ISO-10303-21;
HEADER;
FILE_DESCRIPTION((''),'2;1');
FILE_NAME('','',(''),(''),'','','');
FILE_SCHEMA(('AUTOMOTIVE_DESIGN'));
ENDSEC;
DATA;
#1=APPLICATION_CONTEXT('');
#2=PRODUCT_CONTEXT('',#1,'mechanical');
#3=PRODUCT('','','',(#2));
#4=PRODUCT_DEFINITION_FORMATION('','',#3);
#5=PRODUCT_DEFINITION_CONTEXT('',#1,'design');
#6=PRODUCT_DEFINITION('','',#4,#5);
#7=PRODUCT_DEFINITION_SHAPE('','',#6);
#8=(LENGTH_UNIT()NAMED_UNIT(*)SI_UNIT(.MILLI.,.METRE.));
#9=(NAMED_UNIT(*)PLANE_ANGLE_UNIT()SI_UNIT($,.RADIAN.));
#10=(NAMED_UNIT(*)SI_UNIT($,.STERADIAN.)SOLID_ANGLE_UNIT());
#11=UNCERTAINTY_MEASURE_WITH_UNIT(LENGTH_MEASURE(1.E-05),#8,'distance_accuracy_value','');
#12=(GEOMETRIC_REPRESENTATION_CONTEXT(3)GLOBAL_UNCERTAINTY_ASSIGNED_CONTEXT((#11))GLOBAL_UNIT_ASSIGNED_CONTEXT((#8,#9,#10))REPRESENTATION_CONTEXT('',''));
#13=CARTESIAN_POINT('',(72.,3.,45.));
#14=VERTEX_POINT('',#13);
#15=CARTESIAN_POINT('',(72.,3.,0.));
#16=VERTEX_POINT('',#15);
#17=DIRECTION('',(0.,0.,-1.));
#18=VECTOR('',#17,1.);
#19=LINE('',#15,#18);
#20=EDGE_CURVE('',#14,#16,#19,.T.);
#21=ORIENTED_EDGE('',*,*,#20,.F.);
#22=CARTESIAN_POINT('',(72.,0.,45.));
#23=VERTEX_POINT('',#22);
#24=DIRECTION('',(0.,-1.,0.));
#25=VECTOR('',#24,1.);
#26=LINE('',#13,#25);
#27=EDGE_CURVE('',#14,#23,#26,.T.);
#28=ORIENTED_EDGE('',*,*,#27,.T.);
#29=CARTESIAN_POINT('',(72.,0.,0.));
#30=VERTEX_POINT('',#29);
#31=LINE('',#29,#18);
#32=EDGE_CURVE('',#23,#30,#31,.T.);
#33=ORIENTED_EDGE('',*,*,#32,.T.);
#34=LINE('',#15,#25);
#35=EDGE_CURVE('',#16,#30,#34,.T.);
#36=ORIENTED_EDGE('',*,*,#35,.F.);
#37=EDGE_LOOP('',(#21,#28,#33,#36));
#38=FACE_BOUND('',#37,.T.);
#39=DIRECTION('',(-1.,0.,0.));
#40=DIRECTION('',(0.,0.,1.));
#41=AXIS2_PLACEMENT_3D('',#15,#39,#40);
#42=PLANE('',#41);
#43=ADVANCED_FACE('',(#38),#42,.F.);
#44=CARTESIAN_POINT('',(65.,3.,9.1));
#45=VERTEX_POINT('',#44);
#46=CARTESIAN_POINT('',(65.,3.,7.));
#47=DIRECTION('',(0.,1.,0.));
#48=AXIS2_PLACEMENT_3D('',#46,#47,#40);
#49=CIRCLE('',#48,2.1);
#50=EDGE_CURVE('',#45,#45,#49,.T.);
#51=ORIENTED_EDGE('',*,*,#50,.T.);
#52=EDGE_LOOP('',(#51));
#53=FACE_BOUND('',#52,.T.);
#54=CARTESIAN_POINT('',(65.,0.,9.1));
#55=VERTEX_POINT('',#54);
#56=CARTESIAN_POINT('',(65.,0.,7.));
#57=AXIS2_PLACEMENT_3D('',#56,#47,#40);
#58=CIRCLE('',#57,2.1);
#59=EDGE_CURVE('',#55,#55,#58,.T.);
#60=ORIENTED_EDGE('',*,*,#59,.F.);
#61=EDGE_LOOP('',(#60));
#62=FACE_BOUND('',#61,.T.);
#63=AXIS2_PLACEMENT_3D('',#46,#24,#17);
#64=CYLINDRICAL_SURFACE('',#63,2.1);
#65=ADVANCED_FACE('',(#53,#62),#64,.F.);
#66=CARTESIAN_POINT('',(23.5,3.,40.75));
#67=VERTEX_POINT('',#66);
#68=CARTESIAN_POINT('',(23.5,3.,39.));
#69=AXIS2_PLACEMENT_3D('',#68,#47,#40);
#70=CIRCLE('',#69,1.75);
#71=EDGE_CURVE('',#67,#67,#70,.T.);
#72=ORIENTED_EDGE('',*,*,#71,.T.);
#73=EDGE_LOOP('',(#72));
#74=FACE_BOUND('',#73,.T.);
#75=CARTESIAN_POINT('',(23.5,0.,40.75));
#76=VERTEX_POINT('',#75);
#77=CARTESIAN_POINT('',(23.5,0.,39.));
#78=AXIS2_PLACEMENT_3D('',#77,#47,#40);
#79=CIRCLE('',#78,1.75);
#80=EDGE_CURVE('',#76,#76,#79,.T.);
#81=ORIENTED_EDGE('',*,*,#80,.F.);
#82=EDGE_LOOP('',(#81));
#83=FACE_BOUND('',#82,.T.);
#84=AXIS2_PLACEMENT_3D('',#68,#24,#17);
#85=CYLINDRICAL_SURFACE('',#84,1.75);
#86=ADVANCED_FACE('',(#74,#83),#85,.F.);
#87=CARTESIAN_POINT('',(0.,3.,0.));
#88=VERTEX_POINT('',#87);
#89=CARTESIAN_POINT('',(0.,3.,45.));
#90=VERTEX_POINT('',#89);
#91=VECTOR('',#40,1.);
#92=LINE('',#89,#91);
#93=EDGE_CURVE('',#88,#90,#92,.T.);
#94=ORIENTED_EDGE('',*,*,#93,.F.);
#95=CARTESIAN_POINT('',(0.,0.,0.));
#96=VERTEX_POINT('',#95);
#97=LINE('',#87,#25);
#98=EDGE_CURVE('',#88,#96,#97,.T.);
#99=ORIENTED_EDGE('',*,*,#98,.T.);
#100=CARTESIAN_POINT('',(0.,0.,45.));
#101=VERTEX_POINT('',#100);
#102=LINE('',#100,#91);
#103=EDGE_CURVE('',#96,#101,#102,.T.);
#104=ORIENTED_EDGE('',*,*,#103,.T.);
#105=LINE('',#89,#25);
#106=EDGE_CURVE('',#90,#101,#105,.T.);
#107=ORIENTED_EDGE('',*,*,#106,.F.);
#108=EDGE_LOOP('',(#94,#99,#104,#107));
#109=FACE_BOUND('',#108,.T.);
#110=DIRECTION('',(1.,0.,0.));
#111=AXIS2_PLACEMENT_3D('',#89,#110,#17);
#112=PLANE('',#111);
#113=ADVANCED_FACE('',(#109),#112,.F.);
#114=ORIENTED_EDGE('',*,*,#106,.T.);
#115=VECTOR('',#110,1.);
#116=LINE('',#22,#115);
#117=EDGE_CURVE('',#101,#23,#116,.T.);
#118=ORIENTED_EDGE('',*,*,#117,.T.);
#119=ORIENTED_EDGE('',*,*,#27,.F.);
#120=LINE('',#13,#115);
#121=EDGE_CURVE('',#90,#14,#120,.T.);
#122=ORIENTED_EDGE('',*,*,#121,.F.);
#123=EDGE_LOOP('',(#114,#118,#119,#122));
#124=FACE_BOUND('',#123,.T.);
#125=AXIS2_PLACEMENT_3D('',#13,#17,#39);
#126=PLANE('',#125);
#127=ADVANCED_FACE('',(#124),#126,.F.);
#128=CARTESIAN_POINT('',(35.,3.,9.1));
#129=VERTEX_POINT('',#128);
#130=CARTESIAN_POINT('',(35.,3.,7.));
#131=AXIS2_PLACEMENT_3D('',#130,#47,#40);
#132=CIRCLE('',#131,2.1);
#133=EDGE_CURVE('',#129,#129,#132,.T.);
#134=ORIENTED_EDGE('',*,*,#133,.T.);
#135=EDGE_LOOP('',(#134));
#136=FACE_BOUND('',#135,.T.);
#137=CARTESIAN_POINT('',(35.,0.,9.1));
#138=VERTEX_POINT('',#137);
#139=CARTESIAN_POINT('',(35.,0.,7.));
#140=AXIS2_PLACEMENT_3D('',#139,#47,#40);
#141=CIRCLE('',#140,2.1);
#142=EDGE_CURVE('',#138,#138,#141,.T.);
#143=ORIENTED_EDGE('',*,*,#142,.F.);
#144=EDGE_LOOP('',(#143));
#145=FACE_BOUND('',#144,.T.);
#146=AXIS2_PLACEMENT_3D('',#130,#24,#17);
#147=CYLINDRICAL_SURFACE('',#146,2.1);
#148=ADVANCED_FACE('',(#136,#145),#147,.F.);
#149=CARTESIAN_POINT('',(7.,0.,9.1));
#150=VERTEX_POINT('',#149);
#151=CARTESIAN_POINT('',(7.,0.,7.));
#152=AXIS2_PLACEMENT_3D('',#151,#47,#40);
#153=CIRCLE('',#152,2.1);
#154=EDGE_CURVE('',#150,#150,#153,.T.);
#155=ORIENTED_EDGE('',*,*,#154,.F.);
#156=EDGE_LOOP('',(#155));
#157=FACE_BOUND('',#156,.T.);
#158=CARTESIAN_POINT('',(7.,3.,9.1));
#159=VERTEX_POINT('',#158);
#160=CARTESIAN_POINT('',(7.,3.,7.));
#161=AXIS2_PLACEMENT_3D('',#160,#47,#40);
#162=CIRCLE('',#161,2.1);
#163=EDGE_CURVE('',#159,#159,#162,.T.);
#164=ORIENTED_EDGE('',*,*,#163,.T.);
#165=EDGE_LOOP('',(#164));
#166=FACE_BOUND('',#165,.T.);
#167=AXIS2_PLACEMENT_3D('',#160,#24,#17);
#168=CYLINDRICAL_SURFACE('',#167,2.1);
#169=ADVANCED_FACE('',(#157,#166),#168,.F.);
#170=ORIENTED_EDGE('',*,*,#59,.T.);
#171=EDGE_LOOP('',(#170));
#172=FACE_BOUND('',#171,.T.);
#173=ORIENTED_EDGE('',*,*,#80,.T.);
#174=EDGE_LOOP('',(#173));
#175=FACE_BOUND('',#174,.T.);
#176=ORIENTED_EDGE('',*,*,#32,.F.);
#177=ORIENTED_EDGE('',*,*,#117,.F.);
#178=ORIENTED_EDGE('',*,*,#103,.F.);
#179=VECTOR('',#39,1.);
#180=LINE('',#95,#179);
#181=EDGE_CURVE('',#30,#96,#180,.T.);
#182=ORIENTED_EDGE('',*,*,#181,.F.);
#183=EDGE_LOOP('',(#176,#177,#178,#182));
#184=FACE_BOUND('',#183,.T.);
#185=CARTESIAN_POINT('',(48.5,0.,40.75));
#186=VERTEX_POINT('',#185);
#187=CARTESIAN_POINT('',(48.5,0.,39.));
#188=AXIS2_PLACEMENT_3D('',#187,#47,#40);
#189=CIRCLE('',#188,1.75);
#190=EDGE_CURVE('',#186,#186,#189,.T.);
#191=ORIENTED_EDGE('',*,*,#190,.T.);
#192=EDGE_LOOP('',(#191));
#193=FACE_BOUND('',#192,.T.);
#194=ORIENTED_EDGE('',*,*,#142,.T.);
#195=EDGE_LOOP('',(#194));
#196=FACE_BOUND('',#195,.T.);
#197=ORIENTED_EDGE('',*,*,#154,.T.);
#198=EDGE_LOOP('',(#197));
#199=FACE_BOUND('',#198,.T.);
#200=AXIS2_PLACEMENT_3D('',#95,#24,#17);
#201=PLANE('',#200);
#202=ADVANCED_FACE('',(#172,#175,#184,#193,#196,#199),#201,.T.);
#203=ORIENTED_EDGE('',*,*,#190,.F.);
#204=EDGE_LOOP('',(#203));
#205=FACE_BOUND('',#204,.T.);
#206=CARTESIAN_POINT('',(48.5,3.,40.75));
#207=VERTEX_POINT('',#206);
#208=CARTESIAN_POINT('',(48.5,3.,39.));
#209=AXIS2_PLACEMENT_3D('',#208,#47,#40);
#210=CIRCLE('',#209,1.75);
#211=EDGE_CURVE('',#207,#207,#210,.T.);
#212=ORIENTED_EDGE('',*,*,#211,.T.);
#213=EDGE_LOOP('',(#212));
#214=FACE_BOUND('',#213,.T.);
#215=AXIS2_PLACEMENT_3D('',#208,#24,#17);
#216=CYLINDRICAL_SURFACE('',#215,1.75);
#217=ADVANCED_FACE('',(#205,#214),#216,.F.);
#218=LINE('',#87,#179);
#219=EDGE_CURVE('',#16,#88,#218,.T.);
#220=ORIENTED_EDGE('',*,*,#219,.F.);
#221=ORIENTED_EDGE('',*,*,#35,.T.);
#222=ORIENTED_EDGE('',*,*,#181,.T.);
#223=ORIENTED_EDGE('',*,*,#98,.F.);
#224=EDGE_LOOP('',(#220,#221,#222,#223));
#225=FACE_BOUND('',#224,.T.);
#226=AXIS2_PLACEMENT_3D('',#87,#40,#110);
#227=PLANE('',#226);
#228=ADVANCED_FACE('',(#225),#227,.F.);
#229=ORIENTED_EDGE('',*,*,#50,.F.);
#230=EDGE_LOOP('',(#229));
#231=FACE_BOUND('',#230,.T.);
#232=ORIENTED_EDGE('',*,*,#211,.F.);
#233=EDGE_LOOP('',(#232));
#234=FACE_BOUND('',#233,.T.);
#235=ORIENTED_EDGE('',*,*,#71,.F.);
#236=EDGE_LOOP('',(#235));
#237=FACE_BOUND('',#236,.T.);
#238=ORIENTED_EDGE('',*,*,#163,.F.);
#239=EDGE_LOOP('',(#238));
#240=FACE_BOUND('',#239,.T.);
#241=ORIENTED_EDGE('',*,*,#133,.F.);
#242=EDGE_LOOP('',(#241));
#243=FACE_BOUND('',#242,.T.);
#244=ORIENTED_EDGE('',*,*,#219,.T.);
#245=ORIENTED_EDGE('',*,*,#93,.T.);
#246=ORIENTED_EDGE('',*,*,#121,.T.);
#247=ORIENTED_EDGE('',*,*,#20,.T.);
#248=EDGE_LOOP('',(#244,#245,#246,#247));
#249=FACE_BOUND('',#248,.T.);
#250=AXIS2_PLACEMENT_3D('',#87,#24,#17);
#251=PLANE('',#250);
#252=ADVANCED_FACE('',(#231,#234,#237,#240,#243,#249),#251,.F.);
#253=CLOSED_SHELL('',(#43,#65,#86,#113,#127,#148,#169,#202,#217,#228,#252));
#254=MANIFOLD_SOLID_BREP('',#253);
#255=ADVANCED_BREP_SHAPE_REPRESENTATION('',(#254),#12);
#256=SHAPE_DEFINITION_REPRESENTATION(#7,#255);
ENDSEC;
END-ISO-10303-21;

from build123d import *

# Parameters (mm, degrees)
SKETCH1_W           = 72
SKETCH1_H           = 45
SKETCH1_R           = 2.1
SKETCH1_R_2         = 1.75
BOSS_EXTRUDE1_DEPTH = 3


with BuildPart() as part:
    # Sketch1 → Boss-Extrude1 (new body)
    with BuildSketch(Plane(origin=(0, 0, 0), x_dir=(1, 0, 0), z_dir=(0, 1, 0))):
        with Locations((36, -22.5)):
            Rectangle(SKETCH1_W, SKETCH1_H)
        with Locations(Location((7, -7, 0), (0, 0, 270))):
            Circle(SKETCH1_R, mode=Mode.SUBTRACT)
        with Locations(Location((35, -7, 0), (0, 0, 270))):
            Circle(SKETCH1_R, mode=Mode.SUBTRACT)
        with Locations(Location((65, -7, 0), (0, 0, 270))):
            Circle(SKETCH1_R, mode=Mode.SUBTRACT)
        with Locations(Location((23.5, -39, 0), (0, 0, 270))):
            Circle(SKETCH1_R_2, mode=Mode.SUBTRACT)
        with Locations(Location((48.5, -39, 0), (0, 0, 270))):
            Circle(SKETCH1_R_2, mode=Mode.SUBTRACT)
    extrude(amount=BOSS_EXTRUDE1_DEPTH)


solid = part.part
